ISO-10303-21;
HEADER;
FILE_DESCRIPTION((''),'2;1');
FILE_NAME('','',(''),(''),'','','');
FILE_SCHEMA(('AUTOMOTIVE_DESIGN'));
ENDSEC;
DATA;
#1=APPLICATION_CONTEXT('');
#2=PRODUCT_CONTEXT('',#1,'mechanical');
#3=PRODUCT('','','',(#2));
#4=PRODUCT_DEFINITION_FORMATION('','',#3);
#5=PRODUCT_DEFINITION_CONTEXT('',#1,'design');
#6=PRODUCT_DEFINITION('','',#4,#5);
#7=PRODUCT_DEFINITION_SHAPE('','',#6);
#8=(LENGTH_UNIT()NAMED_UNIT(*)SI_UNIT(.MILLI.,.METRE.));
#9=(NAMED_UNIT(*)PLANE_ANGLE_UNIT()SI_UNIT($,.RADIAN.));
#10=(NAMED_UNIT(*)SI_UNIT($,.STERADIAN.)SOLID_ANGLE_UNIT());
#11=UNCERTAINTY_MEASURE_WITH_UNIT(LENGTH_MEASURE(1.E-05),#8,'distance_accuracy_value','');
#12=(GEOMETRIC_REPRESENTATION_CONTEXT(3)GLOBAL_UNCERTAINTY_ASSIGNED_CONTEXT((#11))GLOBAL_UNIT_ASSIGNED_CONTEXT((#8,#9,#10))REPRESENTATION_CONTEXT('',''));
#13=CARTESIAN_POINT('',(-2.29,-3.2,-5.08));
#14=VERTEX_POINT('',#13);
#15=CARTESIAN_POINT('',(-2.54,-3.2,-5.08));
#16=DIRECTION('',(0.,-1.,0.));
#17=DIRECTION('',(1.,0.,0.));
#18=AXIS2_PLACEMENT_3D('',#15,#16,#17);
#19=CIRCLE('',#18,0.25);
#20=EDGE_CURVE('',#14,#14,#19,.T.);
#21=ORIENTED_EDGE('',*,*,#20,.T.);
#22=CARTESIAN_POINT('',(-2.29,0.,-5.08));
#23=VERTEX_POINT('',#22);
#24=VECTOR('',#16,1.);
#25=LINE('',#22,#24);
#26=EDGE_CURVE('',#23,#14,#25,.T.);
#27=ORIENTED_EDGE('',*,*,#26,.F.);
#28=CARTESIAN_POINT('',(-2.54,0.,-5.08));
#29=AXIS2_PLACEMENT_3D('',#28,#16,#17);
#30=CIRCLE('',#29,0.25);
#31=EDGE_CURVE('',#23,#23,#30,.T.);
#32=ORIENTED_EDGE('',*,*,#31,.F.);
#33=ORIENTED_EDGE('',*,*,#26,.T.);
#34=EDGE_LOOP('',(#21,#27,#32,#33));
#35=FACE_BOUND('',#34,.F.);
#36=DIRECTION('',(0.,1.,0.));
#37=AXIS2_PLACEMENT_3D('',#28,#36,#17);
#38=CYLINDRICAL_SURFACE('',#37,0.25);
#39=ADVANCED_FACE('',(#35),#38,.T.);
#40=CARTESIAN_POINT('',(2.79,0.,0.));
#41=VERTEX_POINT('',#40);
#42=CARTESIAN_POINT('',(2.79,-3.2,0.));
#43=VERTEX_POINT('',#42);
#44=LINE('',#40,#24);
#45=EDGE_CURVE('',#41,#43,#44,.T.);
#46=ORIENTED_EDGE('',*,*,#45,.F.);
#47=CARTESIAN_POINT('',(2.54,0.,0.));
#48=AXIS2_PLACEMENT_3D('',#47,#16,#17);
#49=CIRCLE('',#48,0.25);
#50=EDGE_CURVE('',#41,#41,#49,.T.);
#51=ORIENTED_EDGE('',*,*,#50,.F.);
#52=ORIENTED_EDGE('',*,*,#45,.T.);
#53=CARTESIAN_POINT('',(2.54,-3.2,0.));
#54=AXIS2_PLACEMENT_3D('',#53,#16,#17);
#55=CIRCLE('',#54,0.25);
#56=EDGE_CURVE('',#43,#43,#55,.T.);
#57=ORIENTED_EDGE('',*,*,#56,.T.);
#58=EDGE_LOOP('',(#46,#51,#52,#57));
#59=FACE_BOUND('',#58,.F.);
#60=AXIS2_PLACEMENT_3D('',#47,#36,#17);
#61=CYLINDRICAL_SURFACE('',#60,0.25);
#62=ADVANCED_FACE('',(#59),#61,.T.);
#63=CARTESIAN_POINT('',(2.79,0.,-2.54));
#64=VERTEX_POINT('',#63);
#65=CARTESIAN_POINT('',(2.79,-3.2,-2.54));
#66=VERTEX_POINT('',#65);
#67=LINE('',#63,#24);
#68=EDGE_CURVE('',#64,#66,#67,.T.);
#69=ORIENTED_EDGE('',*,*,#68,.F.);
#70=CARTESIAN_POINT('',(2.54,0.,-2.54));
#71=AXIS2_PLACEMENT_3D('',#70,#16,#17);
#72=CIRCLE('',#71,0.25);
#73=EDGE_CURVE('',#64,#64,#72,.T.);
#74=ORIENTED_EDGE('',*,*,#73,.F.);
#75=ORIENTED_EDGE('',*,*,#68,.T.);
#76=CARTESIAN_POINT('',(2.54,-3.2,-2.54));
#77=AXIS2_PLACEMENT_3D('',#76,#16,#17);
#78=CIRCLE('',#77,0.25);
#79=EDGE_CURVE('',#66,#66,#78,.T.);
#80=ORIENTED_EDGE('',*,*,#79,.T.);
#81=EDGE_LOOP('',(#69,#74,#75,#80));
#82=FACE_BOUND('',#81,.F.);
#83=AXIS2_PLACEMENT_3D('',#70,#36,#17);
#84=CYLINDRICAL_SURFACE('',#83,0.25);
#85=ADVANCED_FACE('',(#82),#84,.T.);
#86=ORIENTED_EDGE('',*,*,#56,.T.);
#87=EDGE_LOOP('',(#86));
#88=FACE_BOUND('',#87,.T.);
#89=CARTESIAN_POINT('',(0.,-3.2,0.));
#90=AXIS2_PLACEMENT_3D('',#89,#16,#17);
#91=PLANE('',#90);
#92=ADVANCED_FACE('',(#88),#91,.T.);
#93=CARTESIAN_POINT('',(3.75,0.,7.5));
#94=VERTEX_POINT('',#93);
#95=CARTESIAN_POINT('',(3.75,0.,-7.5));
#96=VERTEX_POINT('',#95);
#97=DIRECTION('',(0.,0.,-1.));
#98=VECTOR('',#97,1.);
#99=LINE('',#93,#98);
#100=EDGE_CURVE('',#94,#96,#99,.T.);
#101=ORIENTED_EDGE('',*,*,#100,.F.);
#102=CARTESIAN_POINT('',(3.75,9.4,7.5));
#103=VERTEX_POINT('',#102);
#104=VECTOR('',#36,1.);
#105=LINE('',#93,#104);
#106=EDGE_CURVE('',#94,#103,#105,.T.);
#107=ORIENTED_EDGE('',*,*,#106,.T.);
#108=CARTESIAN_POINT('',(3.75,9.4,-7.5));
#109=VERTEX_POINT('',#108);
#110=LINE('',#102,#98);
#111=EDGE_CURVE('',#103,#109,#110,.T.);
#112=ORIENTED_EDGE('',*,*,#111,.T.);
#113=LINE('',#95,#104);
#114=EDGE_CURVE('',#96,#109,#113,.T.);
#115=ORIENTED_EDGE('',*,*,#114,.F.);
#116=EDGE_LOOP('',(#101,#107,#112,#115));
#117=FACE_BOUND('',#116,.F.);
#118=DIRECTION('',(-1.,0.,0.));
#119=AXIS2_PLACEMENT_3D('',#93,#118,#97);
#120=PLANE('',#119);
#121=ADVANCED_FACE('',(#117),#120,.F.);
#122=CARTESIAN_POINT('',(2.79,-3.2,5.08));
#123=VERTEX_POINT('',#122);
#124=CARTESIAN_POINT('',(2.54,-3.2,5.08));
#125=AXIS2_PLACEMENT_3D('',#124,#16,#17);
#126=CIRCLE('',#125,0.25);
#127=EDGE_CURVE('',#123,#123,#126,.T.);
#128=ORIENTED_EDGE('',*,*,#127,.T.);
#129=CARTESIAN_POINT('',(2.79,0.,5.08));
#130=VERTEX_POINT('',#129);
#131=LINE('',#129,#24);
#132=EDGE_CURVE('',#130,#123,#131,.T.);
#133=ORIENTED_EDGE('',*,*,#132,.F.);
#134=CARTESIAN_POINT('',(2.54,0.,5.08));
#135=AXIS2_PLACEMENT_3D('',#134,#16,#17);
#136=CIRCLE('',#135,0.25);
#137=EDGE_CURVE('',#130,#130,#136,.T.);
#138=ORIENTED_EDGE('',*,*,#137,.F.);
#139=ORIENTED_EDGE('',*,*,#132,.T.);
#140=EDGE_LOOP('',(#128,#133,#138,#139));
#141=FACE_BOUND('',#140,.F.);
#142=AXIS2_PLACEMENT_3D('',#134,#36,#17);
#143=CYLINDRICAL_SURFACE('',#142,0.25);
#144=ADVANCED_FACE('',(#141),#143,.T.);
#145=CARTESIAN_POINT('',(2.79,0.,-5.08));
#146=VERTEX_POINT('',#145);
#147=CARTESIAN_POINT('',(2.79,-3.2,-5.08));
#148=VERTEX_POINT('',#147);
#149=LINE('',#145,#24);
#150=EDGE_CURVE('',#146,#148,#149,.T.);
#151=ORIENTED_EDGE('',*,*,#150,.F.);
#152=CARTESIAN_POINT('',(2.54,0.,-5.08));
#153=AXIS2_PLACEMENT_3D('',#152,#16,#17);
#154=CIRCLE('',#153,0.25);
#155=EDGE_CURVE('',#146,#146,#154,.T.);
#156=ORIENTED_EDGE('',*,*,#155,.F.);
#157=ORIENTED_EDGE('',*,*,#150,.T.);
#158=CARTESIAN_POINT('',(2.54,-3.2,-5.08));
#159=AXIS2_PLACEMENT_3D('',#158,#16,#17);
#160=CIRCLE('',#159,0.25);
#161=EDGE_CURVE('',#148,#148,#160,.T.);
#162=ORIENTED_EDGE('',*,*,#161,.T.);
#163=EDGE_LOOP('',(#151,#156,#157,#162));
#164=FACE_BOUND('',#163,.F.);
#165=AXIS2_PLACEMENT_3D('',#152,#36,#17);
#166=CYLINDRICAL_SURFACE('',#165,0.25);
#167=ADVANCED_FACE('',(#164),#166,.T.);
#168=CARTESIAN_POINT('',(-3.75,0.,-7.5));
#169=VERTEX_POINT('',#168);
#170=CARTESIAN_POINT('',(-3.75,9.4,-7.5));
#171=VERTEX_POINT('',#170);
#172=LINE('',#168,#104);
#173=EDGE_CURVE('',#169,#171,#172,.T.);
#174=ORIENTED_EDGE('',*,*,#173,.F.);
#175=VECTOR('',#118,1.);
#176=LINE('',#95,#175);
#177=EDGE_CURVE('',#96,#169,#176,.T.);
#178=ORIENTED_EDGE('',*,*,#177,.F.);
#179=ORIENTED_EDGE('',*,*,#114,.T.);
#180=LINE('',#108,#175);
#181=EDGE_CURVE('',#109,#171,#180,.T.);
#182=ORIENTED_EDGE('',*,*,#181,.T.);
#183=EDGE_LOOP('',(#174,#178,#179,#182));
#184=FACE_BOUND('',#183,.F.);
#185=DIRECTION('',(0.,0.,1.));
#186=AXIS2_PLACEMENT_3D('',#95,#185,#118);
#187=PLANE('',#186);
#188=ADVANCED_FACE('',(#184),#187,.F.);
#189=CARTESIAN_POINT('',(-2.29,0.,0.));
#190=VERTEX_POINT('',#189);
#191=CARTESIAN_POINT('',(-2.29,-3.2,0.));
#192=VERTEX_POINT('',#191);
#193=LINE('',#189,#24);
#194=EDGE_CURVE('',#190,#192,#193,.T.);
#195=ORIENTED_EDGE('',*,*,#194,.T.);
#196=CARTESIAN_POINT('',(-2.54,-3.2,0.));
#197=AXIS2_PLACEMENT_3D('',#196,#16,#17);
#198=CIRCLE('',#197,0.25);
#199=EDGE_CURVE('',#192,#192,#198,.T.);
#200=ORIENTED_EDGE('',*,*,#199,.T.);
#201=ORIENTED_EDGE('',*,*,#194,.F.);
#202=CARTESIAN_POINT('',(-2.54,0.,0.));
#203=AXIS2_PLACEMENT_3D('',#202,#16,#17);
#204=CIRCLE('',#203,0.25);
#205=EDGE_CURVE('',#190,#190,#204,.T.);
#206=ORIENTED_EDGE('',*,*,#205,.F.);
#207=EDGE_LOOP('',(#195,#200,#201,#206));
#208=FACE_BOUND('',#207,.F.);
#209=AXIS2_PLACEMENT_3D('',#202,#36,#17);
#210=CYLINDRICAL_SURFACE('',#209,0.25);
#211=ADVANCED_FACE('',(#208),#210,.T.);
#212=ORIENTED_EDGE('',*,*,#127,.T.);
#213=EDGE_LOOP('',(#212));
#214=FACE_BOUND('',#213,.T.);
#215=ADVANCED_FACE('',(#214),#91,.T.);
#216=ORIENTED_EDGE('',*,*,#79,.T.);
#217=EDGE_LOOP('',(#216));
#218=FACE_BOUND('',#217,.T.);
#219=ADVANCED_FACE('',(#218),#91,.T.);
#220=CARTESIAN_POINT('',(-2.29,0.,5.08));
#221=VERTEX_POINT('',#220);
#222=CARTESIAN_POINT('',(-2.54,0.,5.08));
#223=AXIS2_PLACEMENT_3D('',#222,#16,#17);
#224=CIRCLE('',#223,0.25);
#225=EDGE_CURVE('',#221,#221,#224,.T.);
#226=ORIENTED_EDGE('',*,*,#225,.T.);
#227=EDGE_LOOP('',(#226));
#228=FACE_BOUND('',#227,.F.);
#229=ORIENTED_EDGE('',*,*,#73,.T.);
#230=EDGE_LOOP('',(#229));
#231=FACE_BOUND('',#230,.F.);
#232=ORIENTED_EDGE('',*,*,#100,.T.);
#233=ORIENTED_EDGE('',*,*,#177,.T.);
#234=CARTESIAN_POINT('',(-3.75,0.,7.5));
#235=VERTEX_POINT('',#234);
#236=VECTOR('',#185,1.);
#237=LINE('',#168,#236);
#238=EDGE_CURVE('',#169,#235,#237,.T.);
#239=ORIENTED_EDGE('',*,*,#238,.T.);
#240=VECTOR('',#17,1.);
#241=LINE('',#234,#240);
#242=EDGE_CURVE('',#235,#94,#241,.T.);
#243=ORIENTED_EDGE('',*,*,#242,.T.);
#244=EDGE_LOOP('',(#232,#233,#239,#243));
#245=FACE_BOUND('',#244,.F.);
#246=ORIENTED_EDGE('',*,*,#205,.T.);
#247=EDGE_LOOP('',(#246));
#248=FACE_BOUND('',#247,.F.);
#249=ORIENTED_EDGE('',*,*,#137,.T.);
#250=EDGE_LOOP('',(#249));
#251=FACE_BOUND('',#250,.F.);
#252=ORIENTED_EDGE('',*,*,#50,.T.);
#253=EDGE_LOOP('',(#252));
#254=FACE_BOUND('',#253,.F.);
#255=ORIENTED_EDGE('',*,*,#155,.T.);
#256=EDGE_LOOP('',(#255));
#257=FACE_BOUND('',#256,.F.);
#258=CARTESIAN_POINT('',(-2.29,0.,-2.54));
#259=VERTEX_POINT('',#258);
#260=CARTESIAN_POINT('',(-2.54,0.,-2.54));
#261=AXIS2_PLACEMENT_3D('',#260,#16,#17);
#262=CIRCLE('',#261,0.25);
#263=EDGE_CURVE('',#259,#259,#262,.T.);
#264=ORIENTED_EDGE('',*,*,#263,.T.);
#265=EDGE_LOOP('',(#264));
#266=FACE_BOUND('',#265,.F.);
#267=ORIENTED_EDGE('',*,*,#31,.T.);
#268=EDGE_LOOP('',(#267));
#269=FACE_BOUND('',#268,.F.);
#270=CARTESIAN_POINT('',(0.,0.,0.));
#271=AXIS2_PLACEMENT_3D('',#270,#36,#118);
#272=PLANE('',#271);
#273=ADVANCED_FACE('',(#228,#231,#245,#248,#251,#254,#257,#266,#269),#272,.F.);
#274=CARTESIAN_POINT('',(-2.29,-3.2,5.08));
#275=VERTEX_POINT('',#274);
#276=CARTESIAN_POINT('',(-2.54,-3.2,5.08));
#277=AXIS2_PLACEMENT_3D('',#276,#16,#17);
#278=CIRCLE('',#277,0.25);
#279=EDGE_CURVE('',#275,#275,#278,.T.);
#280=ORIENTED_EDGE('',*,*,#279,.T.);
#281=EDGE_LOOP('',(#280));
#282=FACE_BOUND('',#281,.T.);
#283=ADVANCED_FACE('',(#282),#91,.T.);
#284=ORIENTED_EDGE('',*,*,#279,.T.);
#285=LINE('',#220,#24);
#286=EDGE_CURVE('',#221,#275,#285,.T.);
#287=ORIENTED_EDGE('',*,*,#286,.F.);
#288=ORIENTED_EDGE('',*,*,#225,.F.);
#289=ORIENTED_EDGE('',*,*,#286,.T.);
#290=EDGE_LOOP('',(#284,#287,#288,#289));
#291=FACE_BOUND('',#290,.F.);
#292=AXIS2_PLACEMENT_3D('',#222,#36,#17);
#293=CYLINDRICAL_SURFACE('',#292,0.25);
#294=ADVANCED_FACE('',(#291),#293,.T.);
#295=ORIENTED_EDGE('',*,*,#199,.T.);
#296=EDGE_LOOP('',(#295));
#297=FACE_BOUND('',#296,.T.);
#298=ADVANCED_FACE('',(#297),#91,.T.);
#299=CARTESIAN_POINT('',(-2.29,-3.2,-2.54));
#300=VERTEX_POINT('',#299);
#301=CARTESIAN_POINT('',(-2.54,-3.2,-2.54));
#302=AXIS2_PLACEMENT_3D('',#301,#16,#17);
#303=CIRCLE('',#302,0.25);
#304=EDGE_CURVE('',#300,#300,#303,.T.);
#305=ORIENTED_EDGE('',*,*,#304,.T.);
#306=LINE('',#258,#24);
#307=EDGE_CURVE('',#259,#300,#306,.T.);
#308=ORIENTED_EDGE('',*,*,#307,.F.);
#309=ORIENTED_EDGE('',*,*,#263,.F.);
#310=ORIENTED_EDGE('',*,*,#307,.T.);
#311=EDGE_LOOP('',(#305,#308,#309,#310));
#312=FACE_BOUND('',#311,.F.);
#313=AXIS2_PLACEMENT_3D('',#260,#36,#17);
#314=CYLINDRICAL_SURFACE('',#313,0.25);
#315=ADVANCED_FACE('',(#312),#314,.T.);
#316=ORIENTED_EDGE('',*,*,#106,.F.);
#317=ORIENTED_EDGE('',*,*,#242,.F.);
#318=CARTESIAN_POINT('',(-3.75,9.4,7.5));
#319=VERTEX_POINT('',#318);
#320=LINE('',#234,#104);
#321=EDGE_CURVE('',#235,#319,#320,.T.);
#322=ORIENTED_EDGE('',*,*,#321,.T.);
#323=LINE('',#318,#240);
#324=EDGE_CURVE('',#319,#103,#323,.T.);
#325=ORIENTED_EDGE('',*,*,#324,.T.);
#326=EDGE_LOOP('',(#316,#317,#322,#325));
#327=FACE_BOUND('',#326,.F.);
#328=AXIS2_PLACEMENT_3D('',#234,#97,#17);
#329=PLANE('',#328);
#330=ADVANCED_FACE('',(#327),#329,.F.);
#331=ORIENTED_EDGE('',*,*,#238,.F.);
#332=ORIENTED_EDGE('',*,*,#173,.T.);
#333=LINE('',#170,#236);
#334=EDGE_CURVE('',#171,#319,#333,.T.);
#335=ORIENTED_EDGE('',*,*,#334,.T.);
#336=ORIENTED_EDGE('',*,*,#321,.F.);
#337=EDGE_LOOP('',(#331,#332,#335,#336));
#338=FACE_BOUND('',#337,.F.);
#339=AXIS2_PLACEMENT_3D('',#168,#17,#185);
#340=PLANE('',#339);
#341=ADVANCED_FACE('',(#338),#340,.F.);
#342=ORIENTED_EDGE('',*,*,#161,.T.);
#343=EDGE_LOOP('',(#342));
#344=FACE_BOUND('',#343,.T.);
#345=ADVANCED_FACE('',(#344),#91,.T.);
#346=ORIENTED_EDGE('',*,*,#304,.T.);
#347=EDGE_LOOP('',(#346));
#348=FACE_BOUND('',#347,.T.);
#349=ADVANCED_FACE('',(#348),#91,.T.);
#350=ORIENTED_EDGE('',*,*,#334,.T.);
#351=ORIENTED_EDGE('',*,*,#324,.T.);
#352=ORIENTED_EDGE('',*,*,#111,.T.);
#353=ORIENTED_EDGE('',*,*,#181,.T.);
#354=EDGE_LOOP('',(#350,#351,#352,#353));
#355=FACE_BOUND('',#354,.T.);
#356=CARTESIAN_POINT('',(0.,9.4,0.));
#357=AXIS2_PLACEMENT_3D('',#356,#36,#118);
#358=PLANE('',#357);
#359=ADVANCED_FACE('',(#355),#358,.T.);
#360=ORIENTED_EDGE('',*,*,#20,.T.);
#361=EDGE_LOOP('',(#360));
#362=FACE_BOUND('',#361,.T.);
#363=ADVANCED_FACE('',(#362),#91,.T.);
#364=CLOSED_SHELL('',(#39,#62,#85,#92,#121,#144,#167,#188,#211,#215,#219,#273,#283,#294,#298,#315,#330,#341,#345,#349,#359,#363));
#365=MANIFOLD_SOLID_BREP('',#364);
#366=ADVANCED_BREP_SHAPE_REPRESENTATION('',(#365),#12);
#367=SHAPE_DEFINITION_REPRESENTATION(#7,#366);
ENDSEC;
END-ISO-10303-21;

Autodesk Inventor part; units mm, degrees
ref_plane "YZ Plane" through (0, 0, 0) normal (1, 0, 0) x (0, 1, 0)
ref_plane "XZ Plane" through (0, 0, 0) normal (0, 1, 0) x (-1, 0, 0)
ref_plane "XY Plane" through (0, 0, 0) normal (0, 0, 1) x (1, 0, 0)
sketch "Sketch1" plane through (0, 0, 0) normal (0, 1, 0) x (-1, 0, 0)
  line L0 (3.75, 7.5) -> (-3.75, 7.5)
  line L1 (-3.75, 7.5) -> (-3.75, -7.5)
  line L2 (-3.75, -7.5) -> (3.75, -7.5)
  line L3 (3.75, -7.5) -> (3.75, 7.5)
  point P0 (0, 0)
  dimension "d0" = 15
  dimension "d1" = 7.5
  dimension "d2" = 7.5
  dimension "d3" = 3.75
extrude "Extrusion1" add sketch "Sketch1" along normal blind 9.4
sketch "Sketch2" plane through (0, 0, 0) normal (0, -1, 0) x (1, 0, 0)
  circle A0 centre (2.54, 5.08) radius 0.25
  line L0 (0, 0) -> (0, -1.471)
  circle A1 centre (2.54, 2.54) radius 0.25
  circle A2 centre (2.54, 0) radius 0.25
  circle A3 centre (2.54, -2.54) radius 0.25
  circle A4 centre (2.54, -5.08) radius 0.25
  circle A5 centre (-2.54, 5.08) radius 0.25
  circle A6 centre (-2.54, 2.54) radius 0.25
  circle A7 centre (-2.54, 0) radius 0.25
  circle A8 centre (-2.54, -2.54) radius 0.25
  circle A9 centre (-2.54, -5.08) radius 0.25
  dimension "d6" = 5.08
  dimension "d7" = 2.54
  dimension "d8" = 0.5
  dimension "d11" = 2.54
extrude "Extrusion2" add sketch "Sketch2" along normal blind 3.2 contours A0 | A2 | A3 | A4 | A5 | A7 | A8 | A9
properties part number "EC2-5NU_Relay"
